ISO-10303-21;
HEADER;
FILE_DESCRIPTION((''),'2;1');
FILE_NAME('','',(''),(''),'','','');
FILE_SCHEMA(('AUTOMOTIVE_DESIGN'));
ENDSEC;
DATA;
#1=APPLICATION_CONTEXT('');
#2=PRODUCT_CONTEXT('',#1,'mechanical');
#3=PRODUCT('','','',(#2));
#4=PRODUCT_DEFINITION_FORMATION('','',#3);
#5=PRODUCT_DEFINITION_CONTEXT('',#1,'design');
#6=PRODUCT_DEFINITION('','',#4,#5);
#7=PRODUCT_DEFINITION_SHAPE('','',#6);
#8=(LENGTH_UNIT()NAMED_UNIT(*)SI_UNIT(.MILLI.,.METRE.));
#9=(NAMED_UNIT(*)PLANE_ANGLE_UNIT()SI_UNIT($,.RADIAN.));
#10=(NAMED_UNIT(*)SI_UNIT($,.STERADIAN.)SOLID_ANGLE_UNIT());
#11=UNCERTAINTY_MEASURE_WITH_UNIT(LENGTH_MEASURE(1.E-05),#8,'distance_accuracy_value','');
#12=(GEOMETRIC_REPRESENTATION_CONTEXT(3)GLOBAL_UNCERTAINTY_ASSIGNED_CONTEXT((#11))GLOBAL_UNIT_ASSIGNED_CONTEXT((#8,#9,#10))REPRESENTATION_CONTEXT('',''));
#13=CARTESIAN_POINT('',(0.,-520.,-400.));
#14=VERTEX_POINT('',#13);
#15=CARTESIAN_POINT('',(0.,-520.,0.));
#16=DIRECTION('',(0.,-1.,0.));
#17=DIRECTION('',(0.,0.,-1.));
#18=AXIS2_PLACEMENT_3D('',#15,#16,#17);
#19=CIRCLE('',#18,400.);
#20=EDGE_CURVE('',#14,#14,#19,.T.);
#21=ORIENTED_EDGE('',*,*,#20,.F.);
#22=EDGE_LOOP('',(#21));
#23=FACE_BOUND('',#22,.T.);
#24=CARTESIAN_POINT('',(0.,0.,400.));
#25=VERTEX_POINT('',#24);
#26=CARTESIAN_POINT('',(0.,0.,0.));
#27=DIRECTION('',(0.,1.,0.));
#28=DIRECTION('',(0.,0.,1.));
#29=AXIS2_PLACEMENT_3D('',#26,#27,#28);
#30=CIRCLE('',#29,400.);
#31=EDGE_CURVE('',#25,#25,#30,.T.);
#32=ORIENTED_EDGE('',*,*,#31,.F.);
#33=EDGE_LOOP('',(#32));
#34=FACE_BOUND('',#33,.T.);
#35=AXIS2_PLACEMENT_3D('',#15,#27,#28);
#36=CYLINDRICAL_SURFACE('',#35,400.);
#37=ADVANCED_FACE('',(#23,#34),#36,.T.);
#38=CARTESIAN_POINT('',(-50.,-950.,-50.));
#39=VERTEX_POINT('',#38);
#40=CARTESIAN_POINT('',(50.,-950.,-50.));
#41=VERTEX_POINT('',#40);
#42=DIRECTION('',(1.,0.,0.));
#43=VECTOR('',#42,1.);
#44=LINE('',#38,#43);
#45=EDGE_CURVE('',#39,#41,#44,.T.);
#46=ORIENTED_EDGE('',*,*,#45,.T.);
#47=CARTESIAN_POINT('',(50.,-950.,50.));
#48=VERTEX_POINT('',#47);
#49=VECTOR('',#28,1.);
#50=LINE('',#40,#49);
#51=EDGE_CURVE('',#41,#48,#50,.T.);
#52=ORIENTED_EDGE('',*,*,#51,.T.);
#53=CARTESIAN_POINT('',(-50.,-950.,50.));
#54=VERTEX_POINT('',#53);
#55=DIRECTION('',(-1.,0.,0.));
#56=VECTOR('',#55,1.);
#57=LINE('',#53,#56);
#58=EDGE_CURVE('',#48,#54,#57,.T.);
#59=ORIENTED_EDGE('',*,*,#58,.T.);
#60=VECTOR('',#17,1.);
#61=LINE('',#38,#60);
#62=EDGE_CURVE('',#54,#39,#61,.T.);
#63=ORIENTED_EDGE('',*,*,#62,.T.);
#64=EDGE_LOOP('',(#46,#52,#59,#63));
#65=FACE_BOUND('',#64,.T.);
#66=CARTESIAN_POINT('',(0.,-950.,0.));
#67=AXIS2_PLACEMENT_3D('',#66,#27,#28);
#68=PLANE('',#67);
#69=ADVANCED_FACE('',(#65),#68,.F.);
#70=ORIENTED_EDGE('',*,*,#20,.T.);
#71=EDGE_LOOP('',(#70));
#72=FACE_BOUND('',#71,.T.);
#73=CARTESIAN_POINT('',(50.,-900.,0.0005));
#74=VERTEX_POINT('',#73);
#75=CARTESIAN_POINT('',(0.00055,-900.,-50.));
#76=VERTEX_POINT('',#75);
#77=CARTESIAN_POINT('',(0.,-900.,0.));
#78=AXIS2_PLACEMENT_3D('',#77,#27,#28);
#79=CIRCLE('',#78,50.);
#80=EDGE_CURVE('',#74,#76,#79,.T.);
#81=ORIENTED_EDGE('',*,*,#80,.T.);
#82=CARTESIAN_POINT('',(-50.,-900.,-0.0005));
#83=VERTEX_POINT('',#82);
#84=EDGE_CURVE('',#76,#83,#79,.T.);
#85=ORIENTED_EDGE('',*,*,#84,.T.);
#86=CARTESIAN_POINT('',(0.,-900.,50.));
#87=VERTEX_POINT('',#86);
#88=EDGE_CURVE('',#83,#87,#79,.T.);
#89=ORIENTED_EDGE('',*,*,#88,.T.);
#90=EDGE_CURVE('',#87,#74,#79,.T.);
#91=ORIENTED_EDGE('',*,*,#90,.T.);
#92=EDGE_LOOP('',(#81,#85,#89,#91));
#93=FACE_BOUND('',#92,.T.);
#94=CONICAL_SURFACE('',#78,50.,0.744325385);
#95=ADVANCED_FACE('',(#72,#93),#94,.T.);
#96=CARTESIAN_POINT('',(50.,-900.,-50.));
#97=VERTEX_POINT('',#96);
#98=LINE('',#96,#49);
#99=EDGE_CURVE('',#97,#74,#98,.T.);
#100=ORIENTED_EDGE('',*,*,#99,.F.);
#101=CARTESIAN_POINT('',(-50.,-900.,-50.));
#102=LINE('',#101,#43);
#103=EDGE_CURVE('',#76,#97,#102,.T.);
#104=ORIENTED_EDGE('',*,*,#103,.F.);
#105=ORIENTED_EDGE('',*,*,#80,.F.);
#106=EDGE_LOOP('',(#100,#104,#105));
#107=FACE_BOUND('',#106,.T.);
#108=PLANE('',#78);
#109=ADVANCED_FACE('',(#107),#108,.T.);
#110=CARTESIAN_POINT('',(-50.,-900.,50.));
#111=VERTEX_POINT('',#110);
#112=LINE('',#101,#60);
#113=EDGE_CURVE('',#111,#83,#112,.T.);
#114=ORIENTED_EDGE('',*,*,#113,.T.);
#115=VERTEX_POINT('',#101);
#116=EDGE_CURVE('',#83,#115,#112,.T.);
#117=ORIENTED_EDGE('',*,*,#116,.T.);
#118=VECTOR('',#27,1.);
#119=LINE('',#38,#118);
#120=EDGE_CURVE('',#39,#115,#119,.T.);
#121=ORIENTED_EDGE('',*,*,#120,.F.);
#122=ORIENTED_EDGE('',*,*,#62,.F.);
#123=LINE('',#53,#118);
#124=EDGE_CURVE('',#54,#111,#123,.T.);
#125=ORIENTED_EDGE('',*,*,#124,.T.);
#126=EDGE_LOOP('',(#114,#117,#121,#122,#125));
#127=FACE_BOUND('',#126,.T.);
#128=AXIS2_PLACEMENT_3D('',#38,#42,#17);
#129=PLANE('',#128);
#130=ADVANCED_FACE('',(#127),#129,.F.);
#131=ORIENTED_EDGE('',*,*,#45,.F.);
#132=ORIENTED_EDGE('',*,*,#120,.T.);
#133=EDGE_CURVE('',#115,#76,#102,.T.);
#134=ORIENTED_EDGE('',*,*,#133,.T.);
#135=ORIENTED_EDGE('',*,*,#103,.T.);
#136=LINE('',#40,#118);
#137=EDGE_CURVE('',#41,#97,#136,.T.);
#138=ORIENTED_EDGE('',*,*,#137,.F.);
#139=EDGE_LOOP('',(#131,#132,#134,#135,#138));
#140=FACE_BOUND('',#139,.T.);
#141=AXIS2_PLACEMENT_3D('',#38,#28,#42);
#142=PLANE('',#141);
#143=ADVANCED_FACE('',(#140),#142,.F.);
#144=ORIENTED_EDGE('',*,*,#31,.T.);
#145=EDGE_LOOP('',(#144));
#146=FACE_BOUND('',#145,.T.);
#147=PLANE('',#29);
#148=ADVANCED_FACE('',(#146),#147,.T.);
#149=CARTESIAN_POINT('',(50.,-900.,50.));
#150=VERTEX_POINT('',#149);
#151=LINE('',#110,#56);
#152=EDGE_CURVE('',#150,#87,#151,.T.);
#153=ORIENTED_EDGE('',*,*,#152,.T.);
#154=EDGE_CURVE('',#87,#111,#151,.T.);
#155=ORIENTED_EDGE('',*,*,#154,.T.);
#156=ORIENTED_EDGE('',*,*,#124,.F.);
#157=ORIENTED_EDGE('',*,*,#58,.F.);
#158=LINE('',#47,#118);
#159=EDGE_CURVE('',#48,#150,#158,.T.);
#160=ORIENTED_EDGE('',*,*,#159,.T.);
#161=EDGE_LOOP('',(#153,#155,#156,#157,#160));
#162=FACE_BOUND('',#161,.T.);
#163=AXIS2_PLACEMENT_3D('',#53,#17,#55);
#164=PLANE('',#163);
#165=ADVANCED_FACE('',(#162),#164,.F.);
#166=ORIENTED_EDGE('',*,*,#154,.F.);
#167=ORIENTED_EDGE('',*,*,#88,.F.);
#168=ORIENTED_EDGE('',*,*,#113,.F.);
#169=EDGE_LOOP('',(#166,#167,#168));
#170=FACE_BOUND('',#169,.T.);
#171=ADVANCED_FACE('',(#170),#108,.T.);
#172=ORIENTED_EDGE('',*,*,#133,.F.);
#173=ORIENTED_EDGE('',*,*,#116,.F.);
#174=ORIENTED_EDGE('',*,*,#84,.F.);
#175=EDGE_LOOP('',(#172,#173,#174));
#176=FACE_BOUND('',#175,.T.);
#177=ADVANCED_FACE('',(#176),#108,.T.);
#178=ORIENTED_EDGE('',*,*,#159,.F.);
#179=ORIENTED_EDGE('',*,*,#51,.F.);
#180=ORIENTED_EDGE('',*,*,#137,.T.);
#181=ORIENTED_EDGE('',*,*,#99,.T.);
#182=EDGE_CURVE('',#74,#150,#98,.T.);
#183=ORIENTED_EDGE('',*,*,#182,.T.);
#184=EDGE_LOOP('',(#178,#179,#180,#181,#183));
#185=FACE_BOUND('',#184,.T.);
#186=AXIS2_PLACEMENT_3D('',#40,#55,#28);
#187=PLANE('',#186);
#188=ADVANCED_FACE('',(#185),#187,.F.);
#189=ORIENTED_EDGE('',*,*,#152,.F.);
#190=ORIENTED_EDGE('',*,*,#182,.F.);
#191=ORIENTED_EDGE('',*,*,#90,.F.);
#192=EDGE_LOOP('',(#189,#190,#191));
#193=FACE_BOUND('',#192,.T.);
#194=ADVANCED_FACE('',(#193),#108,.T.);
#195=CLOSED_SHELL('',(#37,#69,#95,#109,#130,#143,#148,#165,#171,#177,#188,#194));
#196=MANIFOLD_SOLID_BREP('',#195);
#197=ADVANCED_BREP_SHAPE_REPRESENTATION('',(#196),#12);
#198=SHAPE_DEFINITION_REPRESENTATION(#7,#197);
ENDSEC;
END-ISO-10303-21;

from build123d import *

# Parameters (mm, degrees)
CROQUIS1_R              = 400
SALIENTE_EXTRUIR1_DEPTH = 520
CROQUIS3_R              = 50
CROQUIS2_R              = 400
CROQUIS4_W              = 100
CROQUIS4_H              = 100
SALIENTE_EXTRUIR2_DEPTH = 50


with BuildPart() as part:
    # Croquis1 → Saliente-Extruir1 (new body)
    with BuildSketch(Plane(origin=(0, 0, 0), x_dir=(1, 0, 0), z_dir=(0, 1, 0))):
        with Locations(Location((0, 0, 0), (0, 0, 270))):
            Circle(CROQUIS1_R)
    extrude(amount=-SALIENTE_EXTRUIR1_DEPTH)

    # Croquis3 → Recubrir1 section 0
    with BuildSketch(Plane(origin=(0, -900, 0), x_dir=(1, 0, 0), z_dir=(0, 1, 0))):
        Circle(CROQUIS3_R)
    # Croquis2 → Recubrir1 section 1
    with BuildSketch(Plane.XZ.offset(520)):
        Circle(CROQUIS2_R)
    loft()

    # Croquis4 → Saliente-Extruir2 (add)
    with BuildSketch(Plane.XZ.offset(900)):
        Rectangle(CROQUIS4_W, CROQUIS4_H)
    extrude(amount=SALIENTE_EXTRUIR2_DEPTH)


solid = part.part
